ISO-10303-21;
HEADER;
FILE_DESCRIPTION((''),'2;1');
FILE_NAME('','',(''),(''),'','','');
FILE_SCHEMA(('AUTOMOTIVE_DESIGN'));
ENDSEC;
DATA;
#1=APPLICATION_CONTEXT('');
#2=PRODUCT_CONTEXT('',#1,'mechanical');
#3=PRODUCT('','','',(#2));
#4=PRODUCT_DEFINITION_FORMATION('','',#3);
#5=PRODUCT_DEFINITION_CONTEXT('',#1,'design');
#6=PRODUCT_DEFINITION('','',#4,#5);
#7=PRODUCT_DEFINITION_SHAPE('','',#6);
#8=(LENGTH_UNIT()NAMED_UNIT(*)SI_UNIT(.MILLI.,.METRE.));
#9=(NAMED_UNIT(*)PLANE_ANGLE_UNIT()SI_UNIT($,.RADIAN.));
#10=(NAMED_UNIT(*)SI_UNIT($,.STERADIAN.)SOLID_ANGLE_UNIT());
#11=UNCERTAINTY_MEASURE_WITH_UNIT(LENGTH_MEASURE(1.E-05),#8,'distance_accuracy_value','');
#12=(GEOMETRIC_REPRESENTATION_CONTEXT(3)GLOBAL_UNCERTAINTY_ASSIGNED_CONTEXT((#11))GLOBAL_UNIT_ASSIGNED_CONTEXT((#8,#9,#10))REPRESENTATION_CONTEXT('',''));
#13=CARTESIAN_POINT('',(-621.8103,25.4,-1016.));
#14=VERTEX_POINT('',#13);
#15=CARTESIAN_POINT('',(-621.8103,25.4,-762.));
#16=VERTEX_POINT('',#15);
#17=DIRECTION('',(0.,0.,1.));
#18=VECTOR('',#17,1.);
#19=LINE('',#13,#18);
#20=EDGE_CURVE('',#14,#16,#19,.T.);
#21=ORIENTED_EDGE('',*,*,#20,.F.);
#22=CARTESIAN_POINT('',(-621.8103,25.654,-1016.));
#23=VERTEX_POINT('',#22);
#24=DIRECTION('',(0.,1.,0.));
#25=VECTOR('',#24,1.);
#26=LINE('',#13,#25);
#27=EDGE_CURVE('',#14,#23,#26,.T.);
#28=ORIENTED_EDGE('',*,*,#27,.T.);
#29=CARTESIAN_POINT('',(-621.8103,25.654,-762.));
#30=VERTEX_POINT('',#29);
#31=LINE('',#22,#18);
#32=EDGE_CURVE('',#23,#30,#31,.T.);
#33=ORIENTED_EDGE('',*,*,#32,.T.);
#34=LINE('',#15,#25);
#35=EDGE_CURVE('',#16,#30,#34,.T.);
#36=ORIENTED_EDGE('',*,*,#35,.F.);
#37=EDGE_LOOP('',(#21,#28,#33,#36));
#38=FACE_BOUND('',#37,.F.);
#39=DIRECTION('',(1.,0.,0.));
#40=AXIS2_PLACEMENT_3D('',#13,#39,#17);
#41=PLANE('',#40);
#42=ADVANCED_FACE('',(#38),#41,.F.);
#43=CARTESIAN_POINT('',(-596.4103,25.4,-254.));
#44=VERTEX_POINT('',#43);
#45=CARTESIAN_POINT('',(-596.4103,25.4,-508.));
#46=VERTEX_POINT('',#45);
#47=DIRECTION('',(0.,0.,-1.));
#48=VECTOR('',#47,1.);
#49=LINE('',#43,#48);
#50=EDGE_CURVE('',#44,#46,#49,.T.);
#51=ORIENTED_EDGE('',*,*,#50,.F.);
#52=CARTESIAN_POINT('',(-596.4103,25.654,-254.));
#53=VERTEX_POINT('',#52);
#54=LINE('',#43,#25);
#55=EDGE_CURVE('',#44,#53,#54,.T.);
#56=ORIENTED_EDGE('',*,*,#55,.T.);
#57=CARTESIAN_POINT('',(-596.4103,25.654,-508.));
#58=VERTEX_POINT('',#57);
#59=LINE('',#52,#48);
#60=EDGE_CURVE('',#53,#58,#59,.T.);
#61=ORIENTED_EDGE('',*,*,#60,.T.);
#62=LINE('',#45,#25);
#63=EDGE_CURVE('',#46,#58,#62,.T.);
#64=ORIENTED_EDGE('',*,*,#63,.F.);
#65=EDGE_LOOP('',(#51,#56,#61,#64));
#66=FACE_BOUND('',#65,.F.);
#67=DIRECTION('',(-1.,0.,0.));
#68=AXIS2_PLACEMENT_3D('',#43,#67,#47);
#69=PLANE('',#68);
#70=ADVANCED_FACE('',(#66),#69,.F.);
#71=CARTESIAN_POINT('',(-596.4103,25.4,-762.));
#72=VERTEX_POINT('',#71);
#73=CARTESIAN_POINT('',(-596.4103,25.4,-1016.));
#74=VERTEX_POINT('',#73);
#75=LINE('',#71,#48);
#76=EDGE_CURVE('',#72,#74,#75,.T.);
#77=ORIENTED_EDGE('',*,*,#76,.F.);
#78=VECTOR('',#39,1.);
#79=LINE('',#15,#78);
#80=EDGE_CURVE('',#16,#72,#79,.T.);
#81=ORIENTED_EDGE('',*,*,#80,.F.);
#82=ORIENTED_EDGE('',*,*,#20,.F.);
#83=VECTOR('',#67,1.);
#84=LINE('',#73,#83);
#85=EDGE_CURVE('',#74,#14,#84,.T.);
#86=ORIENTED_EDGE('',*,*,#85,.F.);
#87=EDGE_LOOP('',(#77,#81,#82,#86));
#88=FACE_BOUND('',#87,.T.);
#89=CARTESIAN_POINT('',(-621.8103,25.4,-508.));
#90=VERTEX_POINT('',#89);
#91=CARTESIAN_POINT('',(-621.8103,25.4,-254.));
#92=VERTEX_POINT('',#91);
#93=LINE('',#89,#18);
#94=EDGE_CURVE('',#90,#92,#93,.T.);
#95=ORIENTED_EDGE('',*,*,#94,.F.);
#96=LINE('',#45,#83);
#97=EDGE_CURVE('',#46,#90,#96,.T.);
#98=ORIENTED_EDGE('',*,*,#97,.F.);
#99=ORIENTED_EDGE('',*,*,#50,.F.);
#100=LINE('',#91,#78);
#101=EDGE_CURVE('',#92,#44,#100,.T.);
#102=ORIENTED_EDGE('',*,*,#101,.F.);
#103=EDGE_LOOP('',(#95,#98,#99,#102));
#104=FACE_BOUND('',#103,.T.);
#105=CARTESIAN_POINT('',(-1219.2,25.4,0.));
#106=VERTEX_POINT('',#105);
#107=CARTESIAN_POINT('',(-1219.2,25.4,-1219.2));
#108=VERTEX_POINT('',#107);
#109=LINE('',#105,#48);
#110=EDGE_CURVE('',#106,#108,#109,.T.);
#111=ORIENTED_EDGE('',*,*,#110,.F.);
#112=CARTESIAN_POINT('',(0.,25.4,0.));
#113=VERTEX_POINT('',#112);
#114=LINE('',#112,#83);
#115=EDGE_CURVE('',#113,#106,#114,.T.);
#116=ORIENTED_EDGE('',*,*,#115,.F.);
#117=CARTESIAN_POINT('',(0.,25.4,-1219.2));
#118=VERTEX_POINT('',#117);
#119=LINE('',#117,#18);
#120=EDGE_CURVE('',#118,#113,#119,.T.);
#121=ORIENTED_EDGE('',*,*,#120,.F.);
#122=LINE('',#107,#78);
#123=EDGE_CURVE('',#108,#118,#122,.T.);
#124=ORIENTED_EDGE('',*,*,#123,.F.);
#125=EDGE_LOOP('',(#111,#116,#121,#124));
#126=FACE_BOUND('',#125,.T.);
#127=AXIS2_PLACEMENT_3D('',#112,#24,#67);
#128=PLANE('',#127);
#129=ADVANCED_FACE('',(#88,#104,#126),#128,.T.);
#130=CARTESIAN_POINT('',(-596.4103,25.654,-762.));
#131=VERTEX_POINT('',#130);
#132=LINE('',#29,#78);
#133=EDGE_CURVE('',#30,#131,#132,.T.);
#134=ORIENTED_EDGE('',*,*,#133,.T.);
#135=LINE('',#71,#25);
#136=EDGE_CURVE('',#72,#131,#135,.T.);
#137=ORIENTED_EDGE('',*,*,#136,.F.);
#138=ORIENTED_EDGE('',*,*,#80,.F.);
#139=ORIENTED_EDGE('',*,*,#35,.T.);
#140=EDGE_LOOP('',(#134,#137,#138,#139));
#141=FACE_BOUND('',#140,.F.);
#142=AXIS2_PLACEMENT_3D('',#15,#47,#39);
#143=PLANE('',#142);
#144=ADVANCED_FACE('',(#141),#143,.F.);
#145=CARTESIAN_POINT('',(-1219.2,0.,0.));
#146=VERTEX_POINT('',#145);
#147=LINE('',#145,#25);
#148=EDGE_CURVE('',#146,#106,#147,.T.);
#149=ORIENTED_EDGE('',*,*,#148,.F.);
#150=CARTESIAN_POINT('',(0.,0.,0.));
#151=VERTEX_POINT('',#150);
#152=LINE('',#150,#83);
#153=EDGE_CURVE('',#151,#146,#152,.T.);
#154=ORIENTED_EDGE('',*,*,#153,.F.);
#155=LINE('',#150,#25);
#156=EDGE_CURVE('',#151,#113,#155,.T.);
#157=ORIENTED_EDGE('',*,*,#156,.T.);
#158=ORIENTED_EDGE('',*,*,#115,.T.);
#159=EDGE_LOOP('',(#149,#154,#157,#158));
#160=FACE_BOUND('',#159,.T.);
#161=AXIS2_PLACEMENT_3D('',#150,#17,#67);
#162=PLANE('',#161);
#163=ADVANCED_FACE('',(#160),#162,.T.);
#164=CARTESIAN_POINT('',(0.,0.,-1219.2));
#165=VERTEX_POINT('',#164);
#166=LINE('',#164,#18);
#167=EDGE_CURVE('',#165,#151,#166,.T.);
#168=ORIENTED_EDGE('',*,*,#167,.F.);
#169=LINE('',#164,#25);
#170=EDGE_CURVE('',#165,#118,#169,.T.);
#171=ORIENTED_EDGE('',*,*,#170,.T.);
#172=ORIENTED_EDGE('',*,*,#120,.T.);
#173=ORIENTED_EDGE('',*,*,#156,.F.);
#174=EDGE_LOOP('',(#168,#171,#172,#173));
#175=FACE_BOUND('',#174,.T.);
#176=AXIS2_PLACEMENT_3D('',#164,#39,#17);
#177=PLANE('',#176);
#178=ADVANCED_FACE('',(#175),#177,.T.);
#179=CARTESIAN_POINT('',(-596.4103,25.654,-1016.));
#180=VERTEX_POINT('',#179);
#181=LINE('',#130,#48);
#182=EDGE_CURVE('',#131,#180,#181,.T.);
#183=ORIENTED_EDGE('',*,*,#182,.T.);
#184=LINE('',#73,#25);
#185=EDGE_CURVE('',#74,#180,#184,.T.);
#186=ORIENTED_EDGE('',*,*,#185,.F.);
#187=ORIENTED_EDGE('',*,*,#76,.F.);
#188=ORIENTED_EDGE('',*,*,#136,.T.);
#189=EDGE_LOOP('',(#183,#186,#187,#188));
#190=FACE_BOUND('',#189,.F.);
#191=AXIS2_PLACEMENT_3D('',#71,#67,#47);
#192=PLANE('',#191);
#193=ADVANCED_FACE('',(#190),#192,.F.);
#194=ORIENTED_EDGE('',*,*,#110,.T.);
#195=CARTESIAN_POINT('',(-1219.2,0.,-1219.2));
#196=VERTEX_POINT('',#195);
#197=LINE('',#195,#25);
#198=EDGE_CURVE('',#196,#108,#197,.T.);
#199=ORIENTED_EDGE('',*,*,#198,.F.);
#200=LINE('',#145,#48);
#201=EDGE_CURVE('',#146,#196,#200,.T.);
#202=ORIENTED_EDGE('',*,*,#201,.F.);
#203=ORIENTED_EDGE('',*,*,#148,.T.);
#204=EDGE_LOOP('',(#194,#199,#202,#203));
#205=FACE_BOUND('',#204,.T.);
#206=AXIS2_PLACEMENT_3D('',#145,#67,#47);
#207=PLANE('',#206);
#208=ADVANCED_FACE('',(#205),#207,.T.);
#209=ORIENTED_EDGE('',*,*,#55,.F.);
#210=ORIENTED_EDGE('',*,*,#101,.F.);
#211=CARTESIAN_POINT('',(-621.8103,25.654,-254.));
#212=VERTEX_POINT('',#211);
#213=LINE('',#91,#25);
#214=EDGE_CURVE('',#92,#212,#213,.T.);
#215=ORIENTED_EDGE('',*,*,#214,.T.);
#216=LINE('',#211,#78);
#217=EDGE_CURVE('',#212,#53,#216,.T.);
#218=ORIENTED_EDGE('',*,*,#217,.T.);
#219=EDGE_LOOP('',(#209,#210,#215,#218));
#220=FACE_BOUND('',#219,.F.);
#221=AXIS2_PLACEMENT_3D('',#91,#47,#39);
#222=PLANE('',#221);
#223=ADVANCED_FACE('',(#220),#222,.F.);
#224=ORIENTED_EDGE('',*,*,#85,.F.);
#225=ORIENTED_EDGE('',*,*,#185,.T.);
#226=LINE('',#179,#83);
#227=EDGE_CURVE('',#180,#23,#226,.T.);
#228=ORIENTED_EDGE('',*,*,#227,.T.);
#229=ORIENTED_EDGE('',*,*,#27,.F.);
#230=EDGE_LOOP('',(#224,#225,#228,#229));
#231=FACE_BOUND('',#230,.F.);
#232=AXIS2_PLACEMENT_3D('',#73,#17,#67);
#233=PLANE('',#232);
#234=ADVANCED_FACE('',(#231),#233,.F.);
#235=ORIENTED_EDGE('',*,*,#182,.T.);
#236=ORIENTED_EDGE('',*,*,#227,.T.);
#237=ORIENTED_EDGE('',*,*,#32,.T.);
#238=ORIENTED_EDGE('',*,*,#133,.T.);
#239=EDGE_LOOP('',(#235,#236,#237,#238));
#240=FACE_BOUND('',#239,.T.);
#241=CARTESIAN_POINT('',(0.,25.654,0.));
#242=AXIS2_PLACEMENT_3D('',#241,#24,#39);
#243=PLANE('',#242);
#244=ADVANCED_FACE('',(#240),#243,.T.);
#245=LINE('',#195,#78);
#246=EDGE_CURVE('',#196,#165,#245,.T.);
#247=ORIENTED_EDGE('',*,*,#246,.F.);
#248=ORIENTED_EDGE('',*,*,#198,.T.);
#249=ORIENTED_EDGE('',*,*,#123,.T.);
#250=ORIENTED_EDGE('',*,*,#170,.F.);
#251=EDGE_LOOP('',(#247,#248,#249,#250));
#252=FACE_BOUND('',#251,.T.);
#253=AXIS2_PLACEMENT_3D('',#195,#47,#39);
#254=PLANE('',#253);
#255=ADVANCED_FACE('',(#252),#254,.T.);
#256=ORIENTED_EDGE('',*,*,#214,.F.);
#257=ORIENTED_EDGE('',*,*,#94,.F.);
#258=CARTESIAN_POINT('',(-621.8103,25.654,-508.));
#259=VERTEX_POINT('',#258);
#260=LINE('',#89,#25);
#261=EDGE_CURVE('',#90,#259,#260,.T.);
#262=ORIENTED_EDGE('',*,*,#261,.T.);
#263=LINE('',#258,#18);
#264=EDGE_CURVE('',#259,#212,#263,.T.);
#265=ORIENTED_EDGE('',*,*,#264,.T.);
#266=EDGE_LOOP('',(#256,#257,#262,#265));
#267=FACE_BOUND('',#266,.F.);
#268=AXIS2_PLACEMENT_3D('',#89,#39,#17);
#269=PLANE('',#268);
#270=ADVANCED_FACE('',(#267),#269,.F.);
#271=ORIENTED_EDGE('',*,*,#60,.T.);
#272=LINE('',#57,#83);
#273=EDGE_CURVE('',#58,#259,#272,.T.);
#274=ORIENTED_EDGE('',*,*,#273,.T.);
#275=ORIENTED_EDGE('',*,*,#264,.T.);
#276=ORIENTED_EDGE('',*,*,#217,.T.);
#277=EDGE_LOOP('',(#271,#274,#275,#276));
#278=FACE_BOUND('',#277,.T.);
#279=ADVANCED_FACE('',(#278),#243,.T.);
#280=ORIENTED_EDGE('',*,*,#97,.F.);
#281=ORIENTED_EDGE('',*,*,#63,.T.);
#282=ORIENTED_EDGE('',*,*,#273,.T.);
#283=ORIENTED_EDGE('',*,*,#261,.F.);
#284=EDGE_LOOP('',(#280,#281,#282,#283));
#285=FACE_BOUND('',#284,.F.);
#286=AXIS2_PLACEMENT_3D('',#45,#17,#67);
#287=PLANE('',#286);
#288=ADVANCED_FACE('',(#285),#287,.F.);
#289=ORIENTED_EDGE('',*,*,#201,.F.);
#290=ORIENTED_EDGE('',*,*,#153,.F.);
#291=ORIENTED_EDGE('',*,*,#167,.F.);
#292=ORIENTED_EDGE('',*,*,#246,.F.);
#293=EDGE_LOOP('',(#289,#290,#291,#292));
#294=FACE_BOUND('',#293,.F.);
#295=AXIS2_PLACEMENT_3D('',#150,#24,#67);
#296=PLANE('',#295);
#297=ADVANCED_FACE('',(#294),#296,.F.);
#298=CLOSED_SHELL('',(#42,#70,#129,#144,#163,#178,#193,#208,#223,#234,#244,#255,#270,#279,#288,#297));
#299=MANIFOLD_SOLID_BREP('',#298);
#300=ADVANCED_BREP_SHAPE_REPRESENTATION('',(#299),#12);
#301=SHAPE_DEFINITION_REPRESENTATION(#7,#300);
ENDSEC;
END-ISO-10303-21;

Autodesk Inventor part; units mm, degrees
ref_plane "YZ Plane" through (0, 0, 0) normal (1, 0, 0) x (0, 1, 0)
ref_plane "XZ Plane" through (0, 0, 0) normal (0, 1, 0) x (-1, 0, 0)
ref_plane "XY Plane" through (0, 0, 0) normal (0, 0, 1) x (1, 0, 0)
sketch "Sketch1" plane through (0, 0, 0) normal (0, 1, 0) x (-1, 0, 0)
  line L0 (0, 0) -> (1219.2, 0)
  line L1 (1219.2, 0) -> (1219.2, -1219.2)
  line L2 (1219.2, -1219.2) -> (0, -1219.2)
  line L3 (0, -1219.2) -> (0, 0)
  dimension "d0" = 1219.2
  dimension "d1" = 1219.2
extrude "Extrusion1" add sketch "Sketch1" along normal blind 25.4
sketch "Sketch2" plane through (0, 25.4, 0) normal (0, 1, 0) x (1, 0, 0)
  line L0 (-609.6, -1656.7277) -> (-609.6, 2305.4787) construction
  line L1 (-1219.2, 1219.2) -> (-1219.2, 0) projected
  line L2 (-621.8103, 254) -> (-596.4103, 254)
  line L3 (-596.4103, 254) -> (-596.4103, 508)
  line L4 (-596.4103, 508) -> (-621.8103, 508)
  line L5 (-621.8103, 508) -> (-621.8103, 254)
  line L6 (-1219.2, 0) -> (0, 0) projected
  line L7 (-621.8103, 762) -> (-596.4103, 762)
  line L8 (-596.4103, 762) -> (-596.4103, 1016)
  line L9 (-596.4103, 1016) -> (-621.8103, 1016)
  line L10 (-621.8103, 1016) -> (-621.8103, 762)
  dimension "d4" = 609.6
  dimension "d5" = 25.4
  dimension "d6" = 254
  dimension "d7" = 254
  dimension "d10" = 508
extrude "Extrusion2" add sketch "Sketch2" along normal blind 0.254
properties part number "road_empty"
